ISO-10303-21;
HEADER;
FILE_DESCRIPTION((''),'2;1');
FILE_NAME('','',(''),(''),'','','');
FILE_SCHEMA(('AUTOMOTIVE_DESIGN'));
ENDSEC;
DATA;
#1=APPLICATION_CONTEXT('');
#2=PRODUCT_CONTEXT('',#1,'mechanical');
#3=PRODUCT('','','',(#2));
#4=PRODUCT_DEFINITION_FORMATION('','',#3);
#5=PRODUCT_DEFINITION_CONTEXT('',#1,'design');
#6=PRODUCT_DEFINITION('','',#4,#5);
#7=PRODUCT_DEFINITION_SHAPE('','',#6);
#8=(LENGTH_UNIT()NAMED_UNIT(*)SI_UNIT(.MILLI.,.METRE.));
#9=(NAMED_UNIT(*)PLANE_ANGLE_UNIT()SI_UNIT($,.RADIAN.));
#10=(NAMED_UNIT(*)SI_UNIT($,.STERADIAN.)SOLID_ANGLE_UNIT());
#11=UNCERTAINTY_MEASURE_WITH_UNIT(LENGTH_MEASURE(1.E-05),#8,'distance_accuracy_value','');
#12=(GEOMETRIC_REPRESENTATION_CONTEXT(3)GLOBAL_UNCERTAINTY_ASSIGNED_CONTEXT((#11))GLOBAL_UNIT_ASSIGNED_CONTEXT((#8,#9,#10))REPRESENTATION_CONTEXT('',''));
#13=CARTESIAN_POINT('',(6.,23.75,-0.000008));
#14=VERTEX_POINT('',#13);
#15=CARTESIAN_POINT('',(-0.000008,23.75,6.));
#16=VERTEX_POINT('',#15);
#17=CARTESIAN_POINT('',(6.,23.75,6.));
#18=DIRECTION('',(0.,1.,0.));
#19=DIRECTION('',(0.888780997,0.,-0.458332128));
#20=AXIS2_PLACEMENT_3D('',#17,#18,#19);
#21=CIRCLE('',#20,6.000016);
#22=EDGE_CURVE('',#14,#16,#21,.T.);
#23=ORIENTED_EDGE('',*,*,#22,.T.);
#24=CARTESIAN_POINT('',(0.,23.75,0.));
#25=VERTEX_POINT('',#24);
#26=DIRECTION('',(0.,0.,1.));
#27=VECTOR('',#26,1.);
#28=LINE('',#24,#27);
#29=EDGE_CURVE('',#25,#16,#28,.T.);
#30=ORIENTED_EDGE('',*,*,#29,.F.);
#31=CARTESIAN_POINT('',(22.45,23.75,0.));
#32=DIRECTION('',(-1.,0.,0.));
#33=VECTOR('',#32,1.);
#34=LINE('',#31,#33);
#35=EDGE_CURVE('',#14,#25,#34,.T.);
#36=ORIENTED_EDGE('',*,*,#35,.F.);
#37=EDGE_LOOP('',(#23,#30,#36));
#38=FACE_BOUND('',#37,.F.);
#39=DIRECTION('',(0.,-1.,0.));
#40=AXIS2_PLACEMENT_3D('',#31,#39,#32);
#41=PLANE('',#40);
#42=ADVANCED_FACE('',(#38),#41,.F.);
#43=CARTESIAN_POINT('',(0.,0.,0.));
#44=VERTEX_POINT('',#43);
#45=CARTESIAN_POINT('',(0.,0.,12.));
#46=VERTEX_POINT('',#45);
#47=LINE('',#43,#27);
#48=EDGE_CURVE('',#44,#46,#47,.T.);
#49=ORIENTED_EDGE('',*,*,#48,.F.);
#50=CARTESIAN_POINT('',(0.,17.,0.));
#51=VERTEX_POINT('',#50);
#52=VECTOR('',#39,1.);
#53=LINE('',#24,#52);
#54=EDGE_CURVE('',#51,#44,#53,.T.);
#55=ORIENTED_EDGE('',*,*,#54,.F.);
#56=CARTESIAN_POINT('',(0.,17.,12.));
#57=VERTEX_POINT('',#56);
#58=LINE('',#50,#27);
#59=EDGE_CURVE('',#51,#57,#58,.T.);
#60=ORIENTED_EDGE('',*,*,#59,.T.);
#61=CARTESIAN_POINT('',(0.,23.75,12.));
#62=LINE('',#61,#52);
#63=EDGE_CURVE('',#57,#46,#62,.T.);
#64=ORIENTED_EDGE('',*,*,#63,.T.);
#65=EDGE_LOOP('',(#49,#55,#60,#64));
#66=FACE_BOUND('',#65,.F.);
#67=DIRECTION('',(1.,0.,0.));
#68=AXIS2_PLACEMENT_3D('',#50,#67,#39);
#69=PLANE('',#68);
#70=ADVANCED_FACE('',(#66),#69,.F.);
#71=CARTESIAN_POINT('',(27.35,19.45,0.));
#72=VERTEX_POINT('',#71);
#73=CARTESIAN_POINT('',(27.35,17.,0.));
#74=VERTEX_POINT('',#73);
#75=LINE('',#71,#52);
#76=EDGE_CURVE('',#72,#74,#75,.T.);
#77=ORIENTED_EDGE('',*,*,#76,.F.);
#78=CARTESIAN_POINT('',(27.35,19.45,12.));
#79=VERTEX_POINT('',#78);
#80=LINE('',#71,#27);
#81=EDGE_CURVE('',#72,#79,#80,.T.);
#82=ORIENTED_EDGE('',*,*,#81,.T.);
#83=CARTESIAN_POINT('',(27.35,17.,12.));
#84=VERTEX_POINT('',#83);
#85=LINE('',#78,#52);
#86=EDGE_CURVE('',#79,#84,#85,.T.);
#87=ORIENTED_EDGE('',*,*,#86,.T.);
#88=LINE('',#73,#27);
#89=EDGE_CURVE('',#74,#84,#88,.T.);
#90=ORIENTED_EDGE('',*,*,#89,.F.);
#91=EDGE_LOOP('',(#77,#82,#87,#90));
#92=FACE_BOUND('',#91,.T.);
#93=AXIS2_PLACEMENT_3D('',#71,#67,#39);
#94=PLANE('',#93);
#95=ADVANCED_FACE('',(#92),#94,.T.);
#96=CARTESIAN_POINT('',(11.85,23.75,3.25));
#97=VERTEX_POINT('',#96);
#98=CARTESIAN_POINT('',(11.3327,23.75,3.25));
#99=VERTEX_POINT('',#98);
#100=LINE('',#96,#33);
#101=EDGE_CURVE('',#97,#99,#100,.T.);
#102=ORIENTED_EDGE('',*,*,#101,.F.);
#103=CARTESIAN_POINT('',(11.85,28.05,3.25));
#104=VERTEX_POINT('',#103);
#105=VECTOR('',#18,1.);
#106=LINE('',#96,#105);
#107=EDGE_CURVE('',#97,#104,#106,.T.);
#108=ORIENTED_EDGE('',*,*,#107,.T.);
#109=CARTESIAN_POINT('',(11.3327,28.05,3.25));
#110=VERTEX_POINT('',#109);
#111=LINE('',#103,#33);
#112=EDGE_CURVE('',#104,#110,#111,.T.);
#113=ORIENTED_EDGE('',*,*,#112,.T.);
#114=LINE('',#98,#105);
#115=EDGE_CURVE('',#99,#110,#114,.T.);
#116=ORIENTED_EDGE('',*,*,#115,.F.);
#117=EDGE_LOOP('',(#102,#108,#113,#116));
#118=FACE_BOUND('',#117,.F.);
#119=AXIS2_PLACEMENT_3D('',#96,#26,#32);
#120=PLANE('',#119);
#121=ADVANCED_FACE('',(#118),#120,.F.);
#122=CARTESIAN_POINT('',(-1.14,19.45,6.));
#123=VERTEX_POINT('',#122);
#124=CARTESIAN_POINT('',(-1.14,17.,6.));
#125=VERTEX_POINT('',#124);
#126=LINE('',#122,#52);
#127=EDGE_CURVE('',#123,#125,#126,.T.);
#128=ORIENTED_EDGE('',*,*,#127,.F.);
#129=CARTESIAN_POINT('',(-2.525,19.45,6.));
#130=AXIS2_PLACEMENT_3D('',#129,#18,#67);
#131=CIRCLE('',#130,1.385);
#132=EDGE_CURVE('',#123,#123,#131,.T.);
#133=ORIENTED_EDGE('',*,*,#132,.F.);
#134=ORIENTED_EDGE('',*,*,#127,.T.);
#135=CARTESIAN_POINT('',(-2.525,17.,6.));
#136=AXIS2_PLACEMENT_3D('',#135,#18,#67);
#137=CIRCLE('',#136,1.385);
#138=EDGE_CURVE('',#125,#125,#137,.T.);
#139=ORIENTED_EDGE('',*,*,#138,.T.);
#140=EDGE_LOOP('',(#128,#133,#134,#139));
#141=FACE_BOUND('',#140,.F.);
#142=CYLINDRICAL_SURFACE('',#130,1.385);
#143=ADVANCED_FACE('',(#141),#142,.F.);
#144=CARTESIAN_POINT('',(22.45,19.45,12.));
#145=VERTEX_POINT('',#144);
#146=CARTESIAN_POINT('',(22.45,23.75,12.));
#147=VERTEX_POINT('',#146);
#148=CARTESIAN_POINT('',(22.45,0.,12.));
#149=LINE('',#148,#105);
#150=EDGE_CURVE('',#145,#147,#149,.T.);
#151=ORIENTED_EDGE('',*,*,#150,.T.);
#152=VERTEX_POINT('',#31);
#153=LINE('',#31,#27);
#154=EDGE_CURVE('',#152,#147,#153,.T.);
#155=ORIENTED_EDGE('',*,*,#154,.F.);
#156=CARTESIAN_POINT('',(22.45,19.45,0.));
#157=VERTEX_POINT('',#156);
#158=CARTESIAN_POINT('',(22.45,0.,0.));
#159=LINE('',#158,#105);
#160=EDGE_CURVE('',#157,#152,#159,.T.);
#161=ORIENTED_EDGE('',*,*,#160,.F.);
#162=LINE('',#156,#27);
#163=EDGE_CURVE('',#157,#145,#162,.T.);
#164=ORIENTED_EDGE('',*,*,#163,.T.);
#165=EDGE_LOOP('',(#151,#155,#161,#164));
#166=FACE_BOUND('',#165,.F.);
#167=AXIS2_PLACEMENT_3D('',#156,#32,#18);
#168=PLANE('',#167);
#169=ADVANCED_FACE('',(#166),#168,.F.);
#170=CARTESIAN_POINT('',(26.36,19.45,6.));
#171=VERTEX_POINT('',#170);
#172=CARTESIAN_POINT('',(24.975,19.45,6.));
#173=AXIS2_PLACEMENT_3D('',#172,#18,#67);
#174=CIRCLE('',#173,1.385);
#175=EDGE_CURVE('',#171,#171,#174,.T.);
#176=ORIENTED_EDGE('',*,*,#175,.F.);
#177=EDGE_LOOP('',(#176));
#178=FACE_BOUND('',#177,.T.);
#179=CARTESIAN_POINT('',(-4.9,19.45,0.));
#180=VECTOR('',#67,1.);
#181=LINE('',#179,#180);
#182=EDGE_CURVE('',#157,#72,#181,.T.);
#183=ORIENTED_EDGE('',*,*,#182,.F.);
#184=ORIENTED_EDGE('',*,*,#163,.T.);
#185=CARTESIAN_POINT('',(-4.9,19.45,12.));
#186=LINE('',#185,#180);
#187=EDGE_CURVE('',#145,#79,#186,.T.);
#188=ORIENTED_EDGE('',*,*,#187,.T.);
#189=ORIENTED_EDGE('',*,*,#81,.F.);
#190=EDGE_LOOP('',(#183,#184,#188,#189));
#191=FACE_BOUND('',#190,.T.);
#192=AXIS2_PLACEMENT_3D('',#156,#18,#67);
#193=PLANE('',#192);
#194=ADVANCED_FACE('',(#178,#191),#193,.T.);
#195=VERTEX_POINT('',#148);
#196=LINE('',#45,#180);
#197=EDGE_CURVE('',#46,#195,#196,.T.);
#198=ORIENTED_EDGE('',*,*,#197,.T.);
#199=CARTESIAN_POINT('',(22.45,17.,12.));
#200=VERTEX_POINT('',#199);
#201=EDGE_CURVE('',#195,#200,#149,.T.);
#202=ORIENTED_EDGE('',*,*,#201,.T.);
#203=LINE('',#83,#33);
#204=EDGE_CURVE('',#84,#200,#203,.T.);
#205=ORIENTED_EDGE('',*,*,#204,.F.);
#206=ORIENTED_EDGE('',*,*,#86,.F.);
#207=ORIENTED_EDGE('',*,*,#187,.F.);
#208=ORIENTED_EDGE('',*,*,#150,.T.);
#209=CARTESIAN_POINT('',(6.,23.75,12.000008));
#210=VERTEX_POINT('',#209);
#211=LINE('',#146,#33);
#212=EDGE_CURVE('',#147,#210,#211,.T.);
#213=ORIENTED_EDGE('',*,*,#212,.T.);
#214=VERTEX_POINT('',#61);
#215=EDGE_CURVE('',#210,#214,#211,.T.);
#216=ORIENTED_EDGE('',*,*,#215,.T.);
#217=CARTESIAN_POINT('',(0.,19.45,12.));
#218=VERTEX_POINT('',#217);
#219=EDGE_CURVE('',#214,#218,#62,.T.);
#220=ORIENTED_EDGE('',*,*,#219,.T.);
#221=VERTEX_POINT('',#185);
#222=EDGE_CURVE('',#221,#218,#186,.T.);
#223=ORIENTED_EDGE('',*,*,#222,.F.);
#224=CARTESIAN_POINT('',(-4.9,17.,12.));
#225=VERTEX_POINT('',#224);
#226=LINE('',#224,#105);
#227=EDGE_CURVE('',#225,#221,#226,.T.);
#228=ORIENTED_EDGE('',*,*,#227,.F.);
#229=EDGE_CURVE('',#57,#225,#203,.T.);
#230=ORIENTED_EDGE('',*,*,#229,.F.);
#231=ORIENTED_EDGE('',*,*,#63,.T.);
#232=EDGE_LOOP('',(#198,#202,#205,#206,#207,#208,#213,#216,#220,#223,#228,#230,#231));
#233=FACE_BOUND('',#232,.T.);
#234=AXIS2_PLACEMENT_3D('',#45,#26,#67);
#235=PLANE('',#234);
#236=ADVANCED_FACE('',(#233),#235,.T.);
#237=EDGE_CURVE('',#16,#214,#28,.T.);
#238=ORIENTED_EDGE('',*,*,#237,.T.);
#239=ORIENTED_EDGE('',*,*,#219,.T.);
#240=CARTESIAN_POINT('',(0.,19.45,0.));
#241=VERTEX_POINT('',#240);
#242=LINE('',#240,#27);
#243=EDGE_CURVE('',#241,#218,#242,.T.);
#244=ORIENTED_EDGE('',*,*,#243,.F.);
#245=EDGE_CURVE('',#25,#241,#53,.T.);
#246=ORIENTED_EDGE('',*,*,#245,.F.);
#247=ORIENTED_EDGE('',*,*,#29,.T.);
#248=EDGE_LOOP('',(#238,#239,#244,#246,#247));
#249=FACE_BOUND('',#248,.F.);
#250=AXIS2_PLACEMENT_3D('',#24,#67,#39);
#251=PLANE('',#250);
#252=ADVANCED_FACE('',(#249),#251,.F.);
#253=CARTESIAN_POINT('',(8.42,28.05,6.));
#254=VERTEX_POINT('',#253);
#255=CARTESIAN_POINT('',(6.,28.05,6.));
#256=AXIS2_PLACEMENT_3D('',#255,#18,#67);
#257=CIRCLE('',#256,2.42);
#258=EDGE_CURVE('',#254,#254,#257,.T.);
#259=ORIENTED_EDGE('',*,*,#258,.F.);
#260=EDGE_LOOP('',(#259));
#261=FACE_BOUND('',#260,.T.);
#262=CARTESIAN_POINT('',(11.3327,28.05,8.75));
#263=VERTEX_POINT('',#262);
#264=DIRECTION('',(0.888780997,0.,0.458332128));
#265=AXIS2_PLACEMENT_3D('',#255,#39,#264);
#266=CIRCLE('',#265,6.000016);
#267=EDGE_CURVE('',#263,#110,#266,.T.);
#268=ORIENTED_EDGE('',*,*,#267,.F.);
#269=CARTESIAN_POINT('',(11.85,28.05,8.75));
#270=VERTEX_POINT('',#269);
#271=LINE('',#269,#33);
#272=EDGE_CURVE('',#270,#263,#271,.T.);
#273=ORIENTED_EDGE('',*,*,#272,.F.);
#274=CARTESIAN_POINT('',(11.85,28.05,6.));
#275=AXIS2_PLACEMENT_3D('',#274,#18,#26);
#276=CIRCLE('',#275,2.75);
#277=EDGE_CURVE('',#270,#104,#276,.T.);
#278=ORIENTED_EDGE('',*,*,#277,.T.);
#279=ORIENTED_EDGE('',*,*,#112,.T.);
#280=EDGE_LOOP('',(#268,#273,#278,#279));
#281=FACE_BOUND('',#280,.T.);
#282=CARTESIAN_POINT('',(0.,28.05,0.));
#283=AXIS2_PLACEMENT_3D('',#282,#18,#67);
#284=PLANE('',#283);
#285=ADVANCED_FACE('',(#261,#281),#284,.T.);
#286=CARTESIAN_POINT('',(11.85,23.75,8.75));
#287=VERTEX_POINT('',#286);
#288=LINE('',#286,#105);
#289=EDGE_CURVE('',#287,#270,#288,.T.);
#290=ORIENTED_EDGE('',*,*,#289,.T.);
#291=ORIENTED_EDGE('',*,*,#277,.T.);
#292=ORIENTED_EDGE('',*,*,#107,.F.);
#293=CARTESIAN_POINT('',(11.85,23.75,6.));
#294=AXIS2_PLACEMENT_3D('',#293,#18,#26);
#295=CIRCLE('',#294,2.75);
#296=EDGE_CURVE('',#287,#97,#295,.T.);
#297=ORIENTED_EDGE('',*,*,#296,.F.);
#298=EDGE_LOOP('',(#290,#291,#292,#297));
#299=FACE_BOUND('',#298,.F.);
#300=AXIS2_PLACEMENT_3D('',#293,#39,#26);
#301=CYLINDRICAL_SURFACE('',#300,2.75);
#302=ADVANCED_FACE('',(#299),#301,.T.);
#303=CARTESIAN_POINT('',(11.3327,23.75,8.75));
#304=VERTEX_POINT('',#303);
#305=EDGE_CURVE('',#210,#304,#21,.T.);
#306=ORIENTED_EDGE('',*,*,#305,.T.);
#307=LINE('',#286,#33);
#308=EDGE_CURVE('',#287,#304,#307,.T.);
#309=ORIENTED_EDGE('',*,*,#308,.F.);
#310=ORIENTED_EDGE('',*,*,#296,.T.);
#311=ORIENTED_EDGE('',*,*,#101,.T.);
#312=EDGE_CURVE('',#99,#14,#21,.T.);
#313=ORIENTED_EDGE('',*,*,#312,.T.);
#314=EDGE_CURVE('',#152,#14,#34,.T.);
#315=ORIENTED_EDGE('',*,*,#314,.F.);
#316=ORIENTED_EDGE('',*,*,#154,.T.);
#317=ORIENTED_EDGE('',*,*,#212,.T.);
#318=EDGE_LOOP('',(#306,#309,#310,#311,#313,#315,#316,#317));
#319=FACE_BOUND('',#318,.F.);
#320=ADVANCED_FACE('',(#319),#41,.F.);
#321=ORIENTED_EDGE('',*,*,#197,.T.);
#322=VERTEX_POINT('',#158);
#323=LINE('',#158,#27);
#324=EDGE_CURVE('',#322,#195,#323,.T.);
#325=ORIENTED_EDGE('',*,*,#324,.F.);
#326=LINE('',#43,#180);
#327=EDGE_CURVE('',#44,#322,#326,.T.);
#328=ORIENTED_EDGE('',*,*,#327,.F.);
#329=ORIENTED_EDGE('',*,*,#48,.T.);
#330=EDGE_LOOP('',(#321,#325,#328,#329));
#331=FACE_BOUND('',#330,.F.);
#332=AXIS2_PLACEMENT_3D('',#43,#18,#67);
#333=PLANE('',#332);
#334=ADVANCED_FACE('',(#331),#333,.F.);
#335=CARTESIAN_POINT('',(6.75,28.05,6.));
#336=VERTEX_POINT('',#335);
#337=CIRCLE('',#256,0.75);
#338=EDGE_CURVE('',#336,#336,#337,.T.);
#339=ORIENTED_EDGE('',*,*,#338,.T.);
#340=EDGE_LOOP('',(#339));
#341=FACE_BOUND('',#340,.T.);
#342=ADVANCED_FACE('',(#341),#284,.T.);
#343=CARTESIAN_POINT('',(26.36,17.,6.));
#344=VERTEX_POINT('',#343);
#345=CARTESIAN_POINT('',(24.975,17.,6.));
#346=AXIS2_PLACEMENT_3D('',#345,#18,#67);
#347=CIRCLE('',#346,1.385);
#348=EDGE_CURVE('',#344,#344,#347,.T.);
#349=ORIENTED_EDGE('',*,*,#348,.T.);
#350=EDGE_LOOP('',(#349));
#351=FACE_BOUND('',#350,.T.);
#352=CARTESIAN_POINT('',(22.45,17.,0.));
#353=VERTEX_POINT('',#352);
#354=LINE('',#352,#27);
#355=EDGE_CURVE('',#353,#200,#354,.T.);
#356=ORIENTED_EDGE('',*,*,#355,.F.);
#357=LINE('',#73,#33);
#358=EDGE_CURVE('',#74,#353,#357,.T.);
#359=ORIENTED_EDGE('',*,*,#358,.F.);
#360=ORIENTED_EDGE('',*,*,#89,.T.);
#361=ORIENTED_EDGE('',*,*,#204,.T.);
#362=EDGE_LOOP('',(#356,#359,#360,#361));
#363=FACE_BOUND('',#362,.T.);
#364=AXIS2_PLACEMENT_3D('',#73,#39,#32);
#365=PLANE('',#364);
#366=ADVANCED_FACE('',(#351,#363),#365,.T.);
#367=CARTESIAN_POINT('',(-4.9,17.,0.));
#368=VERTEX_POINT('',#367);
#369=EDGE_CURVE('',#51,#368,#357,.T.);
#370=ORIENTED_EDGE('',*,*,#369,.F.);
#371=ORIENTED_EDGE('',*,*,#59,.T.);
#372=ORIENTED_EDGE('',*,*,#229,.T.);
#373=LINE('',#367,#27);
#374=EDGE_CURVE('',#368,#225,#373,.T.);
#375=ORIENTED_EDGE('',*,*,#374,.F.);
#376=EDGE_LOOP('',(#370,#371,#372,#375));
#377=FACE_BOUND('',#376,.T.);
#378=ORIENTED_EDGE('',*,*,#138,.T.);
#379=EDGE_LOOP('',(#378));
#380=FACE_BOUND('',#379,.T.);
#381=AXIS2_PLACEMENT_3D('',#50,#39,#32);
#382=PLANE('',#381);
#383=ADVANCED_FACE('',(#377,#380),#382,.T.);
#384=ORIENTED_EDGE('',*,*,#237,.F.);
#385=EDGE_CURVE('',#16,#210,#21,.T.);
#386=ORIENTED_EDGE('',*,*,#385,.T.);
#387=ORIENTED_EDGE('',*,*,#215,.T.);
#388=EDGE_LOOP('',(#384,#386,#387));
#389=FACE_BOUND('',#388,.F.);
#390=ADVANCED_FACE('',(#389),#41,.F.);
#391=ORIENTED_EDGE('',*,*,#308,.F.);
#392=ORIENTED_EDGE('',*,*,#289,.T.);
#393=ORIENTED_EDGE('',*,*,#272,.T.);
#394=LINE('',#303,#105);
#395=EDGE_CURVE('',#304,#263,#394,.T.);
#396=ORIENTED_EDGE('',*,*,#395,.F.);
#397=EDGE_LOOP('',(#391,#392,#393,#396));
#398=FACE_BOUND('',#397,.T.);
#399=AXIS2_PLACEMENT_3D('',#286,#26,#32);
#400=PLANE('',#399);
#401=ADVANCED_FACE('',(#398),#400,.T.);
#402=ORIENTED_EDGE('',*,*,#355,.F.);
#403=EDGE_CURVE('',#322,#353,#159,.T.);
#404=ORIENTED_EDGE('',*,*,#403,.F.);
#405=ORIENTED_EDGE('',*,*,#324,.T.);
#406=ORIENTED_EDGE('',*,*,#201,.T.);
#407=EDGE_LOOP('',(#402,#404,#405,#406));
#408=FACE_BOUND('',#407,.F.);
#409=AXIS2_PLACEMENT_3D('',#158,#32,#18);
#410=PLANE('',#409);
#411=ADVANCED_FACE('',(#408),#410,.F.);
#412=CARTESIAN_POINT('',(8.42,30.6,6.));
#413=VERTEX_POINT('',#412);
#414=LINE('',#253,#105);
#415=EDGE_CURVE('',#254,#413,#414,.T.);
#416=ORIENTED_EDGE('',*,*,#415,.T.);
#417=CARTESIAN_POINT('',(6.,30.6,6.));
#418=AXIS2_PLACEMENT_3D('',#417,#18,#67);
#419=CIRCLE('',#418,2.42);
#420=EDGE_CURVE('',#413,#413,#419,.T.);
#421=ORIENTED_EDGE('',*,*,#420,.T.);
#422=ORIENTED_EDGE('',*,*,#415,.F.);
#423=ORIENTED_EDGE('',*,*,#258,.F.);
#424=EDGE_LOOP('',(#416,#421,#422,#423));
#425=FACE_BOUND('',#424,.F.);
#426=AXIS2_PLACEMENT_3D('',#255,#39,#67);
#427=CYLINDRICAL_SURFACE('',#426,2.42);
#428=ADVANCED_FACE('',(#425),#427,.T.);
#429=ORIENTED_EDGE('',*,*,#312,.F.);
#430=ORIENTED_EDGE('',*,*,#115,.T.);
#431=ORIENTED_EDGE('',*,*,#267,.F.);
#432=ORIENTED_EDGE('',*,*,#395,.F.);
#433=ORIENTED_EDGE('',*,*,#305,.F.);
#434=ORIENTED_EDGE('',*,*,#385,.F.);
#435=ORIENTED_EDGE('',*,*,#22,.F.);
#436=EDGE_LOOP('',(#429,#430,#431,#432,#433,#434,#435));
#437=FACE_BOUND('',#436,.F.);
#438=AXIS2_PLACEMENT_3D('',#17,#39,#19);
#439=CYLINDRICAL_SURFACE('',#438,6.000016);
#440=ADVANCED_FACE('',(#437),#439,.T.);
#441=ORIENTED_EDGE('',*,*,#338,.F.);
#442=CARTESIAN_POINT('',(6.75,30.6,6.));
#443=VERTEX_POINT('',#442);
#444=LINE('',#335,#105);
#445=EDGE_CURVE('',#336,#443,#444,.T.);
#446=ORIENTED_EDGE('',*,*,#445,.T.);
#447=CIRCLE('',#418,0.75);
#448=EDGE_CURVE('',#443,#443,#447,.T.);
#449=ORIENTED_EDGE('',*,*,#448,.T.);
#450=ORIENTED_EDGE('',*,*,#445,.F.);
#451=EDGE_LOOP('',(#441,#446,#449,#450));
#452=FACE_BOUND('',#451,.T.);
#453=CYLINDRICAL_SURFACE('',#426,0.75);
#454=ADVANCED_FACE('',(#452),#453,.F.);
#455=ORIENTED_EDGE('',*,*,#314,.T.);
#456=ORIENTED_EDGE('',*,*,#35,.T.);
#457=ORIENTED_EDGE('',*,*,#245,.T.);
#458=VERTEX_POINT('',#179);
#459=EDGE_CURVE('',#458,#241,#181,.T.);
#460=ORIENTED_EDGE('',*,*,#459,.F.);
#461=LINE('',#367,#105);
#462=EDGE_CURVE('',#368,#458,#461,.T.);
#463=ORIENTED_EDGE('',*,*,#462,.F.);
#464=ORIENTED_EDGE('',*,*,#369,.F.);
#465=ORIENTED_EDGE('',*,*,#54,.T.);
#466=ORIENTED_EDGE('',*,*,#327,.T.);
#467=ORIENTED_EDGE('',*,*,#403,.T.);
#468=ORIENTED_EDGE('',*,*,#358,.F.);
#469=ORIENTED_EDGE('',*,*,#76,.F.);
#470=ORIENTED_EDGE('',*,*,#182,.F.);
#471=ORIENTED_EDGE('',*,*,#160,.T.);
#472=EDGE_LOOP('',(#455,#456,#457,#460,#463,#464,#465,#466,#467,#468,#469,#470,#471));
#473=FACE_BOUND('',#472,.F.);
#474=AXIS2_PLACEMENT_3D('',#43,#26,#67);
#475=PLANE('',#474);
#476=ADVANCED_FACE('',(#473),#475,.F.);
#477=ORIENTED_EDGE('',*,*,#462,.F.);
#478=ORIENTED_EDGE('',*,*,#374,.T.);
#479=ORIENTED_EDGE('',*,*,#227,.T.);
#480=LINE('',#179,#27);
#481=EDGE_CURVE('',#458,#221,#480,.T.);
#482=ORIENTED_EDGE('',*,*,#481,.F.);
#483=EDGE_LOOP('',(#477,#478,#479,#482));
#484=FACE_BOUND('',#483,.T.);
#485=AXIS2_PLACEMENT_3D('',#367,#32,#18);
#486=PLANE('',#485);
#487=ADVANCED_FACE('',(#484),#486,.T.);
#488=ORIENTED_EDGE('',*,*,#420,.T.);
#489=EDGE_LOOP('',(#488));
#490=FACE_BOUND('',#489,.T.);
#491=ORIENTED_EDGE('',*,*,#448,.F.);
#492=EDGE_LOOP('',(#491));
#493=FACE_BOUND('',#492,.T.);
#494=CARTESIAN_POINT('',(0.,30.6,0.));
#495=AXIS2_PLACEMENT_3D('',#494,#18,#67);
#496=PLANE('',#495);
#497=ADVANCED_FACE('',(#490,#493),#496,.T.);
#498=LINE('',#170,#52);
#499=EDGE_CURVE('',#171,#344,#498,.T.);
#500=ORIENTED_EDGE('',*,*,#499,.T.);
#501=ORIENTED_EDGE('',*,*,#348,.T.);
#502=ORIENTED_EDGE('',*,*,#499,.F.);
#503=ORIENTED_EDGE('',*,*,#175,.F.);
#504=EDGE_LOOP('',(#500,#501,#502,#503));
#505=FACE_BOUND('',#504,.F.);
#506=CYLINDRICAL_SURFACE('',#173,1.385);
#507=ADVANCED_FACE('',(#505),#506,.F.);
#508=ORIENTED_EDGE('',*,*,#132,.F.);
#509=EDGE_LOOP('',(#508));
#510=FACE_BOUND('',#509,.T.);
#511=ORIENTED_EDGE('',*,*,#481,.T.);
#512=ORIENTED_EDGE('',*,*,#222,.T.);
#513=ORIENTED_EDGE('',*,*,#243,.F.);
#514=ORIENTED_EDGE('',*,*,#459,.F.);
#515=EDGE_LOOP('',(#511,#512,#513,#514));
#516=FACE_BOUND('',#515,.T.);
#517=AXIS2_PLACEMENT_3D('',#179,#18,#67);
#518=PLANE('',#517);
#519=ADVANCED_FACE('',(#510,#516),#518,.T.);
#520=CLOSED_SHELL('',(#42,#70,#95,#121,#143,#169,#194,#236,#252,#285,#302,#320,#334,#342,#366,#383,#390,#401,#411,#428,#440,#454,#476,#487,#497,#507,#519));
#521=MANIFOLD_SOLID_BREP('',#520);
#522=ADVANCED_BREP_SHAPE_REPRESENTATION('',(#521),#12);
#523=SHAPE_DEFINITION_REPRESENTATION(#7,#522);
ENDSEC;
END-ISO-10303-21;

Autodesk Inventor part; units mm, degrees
ref_plane "YZ Plane" through (0, 0, 0) normal (1, 0, 0) x (0, 1, 0)
ref_plane "XZ Plane" through (0, 0, 0) normal (0, 1, 0) x (-1, 0, 0)
ref_plane "XY Plane" through (0, 0, 0) normal (0, 0, 1) x (1, 0, 0)
sketch "Sketch1" plane through (0, 0, 0) normal (0, 0, 1) x (1, 0, 0)
  line L0 (0, 0) -> (22.45, 0)
  line L1 (22.45, 0) -> (22.45, 23.75)
  line L2 (22.45, 23.75) -> (0, 23.75)
  line L3 (0, 23.75) -> (0, 0)
  line L4 (-4.9, 19.45) -> (27.35, 19.45)
  line L5 (27.35, 19.45) -> (27.35, 17)
  line L6 (27.35, 17) -> (-4.9, 17)
  line L7 (-4.9, 17) -> (-4.9, 19.45)
  point P0 (0, 19.45)
  point P1 (0, 17)
  point P2 (22.45, 17)
  point P3 (22.45, 19.45)
  dimension "d0" = 23.75
  dimension "d1" = 22.45
  dimension "d2" = 2.45
  dimension "d3" = 17
  dimension "d4" = 4.9
  dimension "d5" = 4.9
extrude "Extrusion1" add sketch "Sketch1" along normal blind 12
sketch "Sketch2" plane through (22.45, 19.45, 0) normal (0, 1, 0) x (1, 0, 0)
  line L0 (-27.35, 0) -> (-27.35, -12) projected
  line L1 (-27.35, -6) -> (4.9, -6) construction
  line L2 (4.9, 0) -> (4.9, -12) projected
  circle A0 centre (-24.975, -6) radius 1.385
  circle A1 centre (2.525, -6) radius 1.385
  circle A2 centre (-24.975, -6) radius 2.375 construction
  circle A3 centre (2.525, -6) radius 2.375 construction
  line L3 (4.9, 0) -> (4.9, -12) projected
  point P0 (-22.45, 0)
  dimension "d8" = 2.77
  dimension "d9" = 27.5
extrude "Extrusion2" cut sketch "Sketch2" against normal blind 10
sketch "Sketch3" plane through (0, 23.75, 0) normal (0, 1, 0) x (1, 0, 0)
  arc A0 (11.3327, -3.25) -> (11.3327, -8.75) centre (6, -6) ccw
  line L0 (22.45, 0) -> (0, 0) projected
  line L1 (0, 0) -> (0, -12) projected
  line L2 (22.45, -12) -> (0, -12) projected
  arc A1 (11.85, -8.75) -> (11.85, -3.25) centre (11.85, -6) ccw
  line L3 (14.6, -9.3785) -> (14.6, -0.6215) construction
  line L4 (11.85, -6) -> (0, -6) construction
  line L5 (0, 0) -> (0, -12) projected
  line L6 (11.85, -8.75) -> (11.3327, -8.75)
  line L7 (11.85, -3.25) -> (11.3327, -3.25)
  dimension "d12" = 5.5
  dimension "d13" = 14.6
extrude "Extrusion3" add sketch "Sketch3" along normal blind 4.3 contours L7 A1 L6 A0
sketch "Sketch4" plane through (0, 28.05, 0) normal (0, 1, 0) x (1, 0, 0)
  arc A0 (6, 0) -> (0, -6) centre (6, -6) ccw projected
  circle A1 centre (6, -6) radius 2.42
  circle A2 centre (6, -6) radius 0.75
  point P0 (0, 0)
  dimension "d16" = 4.84
  dimension "d17" = 1.5
extrude "Extrusion4" add sketch "Sketch4" along normal blind 2.55
properties part number "9g-servo"
